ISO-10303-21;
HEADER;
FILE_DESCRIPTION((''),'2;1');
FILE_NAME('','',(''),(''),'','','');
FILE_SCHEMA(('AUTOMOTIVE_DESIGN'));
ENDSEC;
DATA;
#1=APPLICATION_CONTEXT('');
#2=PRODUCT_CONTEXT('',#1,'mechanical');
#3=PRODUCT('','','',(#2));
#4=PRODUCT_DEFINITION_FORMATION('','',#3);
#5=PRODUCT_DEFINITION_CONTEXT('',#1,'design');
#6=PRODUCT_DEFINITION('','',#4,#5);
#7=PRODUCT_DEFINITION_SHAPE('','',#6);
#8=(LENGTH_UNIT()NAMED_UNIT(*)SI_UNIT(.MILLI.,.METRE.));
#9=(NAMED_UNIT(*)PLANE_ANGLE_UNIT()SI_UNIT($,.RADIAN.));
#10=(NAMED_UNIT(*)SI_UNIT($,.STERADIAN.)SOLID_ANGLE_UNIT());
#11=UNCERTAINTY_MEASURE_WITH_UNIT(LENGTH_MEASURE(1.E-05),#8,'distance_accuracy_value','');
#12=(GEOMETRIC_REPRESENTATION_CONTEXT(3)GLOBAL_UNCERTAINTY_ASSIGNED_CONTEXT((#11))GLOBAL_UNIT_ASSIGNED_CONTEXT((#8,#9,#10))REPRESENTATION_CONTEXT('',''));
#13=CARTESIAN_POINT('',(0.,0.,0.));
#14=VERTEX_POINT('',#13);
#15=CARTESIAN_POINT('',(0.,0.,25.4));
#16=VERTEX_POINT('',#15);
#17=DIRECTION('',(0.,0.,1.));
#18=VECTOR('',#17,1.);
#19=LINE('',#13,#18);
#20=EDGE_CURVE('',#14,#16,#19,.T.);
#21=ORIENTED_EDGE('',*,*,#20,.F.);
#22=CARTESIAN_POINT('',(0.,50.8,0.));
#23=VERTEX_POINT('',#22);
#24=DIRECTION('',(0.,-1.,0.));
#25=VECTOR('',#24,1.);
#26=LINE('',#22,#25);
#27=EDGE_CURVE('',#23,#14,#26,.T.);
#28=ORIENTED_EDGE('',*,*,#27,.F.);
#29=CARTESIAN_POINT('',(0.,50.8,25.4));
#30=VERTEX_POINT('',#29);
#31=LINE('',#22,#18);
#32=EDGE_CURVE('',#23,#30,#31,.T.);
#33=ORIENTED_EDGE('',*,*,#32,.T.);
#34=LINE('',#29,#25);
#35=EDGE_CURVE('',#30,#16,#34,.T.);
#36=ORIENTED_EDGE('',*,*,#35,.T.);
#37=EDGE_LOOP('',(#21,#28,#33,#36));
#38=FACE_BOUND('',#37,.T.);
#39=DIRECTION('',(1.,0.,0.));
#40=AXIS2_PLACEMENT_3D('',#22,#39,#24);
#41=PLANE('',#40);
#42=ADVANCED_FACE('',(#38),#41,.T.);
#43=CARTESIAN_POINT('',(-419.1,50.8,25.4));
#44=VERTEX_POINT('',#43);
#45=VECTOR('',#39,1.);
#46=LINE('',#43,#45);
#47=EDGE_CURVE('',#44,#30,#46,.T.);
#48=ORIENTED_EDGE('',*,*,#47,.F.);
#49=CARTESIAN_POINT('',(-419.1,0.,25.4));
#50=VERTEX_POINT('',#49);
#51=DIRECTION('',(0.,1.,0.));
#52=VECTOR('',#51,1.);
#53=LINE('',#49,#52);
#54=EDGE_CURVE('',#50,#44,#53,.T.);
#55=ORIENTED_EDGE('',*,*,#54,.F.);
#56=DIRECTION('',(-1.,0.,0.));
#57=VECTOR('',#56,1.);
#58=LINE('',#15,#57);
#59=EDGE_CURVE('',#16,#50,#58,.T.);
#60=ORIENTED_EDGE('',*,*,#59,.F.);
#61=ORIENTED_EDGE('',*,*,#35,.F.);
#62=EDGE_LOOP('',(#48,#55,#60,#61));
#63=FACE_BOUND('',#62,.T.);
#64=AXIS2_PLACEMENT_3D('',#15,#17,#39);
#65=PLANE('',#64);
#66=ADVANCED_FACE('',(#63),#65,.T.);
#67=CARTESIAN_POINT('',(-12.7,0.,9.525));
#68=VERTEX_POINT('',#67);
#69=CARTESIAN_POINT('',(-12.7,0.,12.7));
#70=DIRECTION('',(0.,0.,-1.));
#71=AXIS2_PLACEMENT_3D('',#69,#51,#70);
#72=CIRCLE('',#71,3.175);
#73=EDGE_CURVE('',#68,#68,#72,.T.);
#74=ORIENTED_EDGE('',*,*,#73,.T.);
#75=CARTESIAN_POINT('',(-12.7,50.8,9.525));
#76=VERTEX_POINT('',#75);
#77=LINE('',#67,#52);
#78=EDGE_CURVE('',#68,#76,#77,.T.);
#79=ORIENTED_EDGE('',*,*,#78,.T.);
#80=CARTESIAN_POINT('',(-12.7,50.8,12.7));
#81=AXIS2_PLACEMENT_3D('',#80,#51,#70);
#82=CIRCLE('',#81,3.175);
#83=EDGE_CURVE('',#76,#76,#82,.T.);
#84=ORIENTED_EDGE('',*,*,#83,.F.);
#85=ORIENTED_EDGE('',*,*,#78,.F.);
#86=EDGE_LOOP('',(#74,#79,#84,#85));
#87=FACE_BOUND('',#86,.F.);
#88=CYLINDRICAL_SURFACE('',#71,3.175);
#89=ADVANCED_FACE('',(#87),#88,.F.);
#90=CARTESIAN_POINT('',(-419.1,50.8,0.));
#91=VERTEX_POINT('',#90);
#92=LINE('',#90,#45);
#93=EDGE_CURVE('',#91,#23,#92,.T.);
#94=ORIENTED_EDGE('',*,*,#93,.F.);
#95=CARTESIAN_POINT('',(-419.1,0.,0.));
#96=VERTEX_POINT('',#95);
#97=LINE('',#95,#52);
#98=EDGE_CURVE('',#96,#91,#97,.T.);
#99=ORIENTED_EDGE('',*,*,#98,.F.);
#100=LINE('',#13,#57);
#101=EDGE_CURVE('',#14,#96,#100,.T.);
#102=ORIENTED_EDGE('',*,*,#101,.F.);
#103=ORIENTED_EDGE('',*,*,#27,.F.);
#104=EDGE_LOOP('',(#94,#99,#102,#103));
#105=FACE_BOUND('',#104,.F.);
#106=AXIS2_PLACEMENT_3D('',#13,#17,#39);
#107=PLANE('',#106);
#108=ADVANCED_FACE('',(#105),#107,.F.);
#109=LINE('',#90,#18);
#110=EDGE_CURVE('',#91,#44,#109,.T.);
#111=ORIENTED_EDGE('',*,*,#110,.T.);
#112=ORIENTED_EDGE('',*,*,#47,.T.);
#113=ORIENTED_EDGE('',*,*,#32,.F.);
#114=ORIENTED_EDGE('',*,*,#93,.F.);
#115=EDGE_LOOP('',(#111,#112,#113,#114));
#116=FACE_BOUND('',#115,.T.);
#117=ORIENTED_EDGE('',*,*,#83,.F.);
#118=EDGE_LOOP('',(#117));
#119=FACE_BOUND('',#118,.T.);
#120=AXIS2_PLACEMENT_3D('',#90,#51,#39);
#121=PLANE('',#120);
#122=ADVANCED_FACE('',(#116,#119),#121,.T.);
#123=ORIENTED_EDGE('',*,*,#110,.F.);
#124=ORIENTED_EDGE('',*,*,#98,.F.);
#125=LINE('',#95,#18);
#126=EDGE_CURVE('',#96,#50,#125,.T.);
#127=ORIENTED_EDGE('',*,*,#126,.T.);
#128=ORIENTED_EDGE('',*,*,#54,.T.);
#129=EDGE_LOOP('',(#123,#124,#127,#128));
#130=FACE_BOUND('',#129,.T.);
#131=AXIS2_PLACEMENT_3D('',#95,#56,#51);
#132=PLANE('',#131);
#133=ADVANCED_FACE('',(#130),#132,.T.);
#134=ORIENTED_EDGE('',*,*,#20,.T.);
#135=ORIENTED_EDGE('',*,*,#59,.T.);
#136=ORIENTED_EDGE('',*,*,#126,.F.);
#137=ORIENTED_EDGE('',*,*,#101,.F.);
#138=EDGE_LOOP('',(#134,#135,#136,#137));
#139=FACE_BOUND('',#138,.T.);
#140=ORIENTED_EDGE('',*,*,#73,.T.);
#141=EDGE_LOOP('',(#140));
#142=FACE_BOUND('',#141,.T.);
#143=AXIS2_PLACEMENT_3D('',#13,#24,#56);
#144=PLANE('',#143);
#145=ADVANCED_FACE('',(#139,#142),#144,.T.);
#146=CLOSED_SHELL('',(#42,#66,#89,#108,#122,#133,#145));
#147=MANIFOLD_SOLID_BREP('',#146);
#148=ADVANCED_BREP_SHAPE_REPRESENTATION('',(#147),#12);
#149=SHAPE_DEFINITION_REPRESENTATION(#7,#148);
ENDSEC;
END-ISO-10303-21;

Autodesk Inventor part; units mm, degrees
ref_plane "YZ Plane" through (0, 0, 0) normal (1, 0, 0) x (0, 1, 0)
ref_plane "XZ Plane" through (0, 0, 0) normal (0, 1, 0) x (-1, 0, 0)
ref_plane "XY Plane" through (0, 0, 0) normal (0, 0, 1) x (1, 0, 0)
sketch "Sketch1" plane through (0, 0, 0) normal (0, 0, 1) x (1, 0, 0)
  line L0 (0, 0) -> (-419.1, 0)
  line L1 (-419.1, 0) -> (-419.1, 50.8)
  line L2 (-419.1, 50.8) -> (0, 50.8)
  line L3 (0, 50.8) -> (0, 0)
  dimension "d0" = 419.1
  dimension "d1" = 50.8
extrude "Extrusion1" add sketch "Sketch1" along normal blind 25.4
hole "Hole1" at (-12.7, 0, 12.7) direction (0, 1, 0) diameter 6.35 end through all
properties part number "BackLiftProtoPart2"
